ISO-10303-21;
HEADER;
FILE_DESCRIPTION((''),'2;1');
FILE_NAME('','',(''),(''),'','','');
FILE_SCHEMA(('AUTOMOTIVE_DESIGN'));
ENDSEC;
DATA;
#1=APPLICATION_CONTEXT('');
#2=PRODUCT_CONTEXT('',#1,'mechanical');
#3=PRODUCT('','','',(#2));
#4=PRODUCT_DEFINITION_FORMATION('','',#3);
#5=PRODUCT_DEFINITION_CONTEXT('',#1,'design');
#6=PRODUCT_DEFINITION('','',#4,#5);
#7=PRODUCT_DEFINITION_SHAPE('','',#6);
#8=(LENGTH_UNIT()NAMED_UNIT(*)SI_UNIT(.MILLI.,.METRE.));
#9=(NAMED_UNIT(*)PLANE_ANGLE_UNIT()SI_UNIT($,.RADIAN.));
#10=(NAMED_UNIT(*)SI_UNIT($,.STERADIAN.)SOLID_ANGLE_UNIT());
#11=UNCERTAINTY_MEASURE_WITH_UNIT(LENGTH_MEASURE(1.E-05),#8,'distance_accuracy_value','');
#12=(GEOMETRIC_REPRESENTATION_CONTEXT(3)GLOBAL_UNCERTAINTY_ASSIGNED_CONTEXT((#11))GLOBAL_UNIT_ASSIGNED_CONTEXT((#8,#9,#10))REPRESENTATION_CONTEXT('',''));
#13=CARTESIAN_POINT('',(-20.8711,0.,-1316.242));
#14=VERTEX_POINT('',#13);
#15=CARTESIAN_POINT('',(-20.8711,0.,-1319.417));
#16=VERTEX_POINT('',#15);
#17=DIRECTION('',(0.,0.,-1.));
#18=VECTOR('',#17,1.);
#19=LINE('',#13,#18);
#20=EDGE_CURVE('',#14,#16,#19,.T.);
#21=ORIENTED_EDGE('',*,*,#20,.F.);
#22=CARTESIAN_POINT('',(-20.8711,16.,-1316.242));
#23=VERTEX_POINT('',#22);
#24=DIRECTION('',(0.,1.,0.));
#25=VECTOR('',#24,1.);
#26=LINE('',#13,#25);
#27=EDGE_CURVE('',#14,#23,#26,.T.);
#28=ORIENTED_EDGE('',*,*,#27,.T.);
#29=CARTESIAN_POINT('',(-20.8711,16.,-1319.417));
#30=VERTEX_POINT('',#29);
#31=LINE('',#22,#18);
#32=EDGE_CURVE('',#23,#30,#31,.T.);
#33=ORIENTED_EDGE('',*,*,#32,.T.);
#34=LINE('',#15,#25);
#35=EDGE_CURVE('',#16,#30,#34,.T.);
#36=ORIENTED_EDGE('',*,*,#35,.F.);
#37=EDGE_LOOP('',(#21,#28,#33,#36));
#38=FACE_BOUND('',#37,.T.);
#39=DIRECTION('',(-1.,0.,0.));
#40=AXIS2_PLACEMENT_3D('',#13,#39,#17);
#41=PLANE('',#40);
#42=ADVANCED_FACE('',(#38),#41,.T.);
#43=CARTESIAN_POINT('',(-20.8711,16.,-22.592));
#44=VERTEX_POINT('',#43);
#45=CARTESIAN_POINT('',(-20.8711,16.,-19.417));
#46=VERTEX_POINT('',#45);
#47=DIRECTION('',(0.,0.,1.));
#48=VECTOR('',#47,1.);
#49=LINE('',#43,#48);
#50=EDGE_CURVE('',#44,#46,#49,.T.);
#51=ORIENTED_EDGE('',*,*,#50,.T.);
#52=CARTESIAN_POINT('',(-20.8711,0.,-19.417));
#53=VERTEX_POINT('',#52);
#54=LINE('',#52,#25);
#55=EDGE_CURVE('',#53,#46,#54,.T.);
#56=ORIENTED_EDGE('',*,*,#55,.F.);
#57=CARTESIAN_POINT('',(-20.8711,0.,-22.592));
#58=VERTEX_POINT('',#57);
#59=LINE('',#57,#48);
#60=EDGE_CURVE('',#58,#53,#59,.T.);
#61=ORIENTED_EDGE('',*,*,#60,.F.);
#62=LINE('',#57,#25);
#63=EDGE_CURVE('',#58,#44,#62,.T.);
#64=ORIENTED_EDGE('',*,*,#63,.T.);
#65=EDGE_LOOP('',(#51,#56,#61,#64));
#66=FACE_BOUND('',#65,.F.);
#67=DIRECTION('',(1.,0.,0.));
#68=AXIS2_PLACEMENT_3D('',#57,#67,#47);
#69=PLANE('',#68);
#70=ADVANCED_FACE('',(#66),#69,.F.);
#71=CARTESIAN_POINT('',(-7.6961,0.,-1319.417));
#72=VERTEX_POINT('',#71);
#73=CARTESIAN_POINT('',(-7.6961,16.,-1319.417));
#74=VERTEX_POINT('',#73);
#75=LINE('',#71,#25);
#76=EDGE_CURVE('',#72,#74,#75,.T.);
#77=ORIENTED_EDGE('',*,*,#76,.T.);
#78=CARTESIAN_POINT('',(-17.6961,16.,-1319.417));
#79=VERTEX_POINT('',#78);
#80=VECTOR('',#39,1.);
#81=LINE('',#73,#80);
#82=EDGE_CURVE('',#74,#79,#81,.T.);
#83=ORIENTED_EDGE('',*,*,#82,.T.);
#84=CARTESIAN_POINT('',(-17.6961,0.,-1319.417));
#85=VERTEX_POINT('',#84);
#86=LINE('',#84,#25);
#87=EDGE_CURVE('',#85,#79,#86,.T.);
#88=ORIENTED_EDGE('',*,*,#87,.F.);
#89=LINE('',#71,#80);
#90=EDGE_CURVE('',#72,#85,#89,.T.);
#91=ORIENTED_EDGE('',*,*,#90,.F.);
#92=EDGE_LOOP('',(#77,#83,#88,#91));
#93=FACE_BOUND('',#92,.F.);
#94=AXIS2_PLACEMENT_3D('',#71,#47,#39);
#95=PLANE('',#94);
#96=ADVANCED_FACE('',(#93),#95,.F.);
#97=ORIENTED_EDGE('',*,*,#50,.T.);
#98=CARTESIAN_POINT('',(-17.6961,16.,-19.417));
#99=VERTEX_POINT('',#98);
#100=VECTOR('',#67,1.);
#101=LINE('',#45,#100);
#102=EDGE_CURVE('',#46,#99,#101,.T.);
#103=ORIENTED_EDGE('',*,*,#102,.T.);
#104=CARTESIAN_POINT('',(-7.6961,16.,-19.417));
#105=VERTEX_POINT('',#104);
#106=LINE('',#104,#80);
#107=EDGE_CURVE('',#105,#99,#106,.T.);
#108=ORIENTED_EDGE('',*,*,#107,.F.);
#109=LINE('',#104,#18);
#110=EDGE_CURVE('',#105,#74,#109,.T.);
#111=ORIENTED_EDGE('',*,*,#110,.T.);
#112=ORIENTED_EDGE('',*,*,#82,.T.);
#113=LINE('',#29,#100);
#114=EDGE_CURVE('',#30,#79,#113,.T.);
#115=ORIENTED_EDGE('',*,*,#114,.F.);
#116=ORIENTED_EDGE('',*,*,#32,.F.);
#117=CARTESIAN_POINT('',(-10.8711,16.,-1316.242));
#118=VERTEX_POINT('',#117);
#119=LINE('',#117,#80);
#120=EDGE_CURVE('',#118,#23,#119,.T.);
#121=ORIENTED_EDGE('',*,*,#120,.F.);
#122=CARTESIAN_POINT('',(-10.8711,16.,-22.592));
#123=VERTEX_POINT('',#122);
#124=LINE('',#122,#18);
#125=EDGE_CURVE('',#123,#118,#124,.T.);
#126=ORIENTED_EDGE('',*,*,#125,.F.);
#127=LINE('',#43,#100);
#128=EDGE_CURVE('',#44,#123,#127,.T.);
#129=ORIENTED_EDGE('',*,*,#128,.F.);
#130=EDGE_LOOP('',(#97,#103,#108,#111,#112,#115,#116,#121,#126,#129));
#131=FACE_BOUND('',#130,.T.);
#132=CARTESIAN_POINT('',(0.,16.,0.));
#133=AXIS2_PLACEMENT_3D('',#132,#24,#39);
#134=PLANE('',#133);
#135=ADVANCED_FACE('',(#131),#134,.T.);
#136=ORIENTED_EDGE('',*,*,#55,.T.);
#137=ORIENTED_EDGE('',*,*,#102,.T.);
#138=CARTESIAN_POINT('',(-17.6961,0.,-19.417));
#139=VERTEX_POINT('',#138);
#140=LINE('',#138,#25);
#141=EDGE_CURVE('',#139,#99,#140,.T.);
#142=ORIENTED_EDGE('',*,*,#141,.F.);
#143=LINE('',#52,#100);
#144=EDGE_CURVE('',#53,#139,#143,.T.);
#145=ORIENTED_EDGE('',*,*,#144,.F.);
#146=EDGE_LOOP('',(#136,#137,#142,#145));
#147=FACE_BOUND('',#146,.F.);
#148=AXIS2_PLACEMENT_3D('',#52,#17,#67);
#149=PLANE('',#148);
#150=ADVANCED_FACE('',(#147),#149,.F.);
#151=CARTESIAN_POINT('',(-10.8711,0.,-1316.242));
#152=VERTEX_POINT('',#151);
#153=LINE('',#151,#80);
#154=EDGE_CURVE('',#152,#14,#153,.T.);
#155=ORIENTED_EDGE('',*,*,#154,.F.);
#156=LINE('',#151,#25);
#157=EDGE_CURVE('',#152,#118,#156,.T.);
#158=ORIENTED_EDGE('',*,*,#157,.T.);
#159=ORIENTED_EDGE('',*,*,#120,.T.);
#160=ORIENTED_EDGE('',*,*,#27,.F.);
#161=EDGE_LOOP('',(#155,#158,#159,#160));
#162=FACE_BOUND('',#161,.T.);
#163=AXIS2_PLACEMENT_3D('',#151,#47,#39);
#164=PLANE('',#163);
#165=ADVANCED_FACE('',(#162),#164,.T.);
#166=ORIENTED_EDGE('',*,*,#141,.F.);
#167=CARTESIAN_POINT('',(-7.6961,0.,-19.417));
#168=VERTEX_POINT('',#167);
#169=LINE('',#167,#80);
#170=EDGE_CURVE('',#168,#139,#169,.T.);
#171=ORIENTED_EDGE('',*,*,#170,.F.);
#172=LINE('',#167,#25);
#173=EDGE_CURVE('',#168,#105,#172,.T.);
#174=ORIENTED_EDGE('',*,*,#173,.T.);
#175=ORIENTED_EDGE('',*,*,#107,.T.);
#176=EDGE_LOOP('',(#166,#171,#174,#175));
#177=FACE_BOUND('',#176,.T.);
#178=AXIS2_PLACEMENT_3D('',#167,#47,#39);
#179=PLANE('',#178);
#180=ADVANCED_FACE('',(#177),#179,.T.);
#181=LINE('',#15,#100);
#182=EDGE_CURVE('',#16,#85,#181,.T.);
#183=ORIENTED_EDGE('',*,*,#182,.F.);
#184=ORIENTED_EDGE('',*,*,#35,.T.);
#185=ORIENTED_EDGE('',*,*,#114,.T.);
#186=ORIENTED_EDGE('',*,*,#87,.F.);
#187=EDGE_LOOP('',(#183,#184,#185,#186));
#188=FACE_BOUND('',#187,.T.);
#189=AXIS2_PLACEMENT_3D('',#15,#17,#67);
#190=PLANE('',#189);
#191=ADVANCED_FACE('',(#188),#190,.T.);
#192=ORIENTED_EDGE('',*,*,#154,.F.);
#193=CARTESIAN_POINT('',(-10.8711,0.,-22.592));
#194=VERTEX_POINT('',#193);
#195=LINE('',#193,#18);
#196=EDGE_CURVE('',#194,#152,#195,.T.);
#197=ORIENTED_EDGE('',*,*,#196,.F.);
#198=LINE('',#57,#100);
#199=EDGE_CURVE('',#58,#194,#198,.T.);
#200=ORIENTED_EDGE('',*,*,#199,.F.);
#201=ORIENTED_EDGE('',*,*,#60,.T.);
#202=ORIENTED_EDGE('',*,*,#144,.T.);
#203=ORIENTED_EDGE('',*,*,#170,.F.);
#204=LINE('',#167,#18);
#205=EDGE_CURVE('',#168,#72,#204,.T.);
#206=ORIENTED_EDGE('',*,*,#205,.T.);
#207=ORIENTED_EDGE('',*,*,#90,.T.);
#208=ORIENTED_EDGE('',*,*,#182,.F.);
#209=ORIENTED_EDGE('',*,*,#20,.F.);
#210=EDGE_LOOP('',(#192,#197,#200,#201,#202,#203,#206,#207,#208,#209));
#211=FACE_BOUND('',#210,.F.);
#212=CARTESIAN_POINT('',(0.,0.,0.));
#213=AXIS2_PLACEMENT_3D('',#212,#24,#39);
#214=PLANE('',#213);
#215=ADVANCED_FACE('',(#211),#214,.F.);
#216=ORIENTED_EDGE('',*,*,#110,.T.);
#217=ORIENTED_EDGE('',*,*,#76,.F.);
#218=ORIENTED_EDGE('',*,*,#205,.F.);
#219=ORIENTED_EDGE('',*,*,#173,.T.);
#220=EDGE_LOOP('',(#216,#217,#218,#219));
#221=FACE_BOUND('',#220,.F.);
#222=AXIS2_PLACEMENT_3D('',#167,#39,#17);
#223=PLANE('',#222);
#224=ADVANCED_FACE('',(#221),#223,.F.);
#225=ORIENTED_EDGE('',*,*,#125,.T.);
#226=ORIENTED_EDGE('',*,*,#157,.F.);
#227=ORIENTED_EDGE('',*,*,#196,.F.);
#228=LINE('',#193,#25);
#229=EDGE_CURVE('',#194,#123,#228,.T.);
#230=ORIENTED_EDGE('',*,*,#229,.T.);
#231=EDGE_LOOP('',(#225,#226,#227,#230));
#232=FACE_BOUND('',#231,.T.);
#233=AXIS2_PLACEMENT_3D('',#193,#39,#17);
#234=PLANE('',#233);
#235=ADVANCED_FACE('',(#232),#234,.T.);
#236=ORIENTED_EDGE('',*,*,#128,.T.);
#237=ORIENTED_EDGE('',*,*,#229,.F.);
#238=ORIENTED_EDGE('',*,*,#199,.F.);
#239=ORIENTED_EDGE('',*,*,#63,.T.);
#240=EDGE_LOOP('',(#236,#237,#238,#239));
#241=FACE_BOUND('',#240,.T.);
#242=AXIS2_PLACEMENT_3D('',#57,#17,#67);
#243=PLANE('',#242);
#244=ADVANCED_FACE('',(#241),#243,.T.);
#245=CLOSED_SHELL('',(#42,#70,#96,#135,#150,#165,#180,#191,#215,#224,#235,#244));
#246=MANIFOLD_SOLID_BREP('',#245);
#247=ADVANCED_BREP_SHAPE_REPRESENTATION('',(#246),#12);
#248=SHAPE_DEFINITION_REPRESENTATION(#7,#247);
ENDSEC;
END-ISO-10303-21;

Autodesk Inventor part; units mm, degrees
ref_plane "YZ Plane" through (0, 0, 0) normal (1, 0, 0) x (0, 1, 0)
ref_plane "XZ Plane" through (0, 0, 0) normal (0, 1, 0) x (-1, 0, 0)
ref_plane "XY Plane" through (0, 0, 0) normal (0, 0, 1) x (1, 0, 0)
sketch "Sketch1" plane through (0, 0, 0) normal (0, 1, 0) x (-1, 0, 0)
  line L0 (7.6961, -19.417) -> (7.6961, -1319.417)
  line L1 (7.6961, -1319.417) -> (17.6961, -1319.417)
  line L2 (7.6961, -19.417) -> (17.6961, -19.417)
  line L3 (20.8711, -22.592) -> (10.8711, -22.592)
  line L4 (10.8711, -22.592) -> (10.8711, -1316.242)
  line L5 (10.8711, -1316.242) -> (20.8711, -1316.242)
  line L6 (20.8711, -22.592) -> (20.8711, -19.417)
  line L7 (20.8711, -19.417) -> (17.6961, -19.417)
  line L8 (20.8711, -1316.242) -> (20.8711, -1319.417)
  line L9 (20.8711, -1319.417) -> (17.6961, -1319.417)
  point P0 (0, 0)
  dimension "d0" = 1300
  dimension "d1" = 10
  dimension "d4" = 10
  dimension "d5" = 10
extrude "Extrusion1" add sketch "Sketch1" along normal blind 16
properties part number "CHAPA_UNIAO_ROLAMENTOS"
